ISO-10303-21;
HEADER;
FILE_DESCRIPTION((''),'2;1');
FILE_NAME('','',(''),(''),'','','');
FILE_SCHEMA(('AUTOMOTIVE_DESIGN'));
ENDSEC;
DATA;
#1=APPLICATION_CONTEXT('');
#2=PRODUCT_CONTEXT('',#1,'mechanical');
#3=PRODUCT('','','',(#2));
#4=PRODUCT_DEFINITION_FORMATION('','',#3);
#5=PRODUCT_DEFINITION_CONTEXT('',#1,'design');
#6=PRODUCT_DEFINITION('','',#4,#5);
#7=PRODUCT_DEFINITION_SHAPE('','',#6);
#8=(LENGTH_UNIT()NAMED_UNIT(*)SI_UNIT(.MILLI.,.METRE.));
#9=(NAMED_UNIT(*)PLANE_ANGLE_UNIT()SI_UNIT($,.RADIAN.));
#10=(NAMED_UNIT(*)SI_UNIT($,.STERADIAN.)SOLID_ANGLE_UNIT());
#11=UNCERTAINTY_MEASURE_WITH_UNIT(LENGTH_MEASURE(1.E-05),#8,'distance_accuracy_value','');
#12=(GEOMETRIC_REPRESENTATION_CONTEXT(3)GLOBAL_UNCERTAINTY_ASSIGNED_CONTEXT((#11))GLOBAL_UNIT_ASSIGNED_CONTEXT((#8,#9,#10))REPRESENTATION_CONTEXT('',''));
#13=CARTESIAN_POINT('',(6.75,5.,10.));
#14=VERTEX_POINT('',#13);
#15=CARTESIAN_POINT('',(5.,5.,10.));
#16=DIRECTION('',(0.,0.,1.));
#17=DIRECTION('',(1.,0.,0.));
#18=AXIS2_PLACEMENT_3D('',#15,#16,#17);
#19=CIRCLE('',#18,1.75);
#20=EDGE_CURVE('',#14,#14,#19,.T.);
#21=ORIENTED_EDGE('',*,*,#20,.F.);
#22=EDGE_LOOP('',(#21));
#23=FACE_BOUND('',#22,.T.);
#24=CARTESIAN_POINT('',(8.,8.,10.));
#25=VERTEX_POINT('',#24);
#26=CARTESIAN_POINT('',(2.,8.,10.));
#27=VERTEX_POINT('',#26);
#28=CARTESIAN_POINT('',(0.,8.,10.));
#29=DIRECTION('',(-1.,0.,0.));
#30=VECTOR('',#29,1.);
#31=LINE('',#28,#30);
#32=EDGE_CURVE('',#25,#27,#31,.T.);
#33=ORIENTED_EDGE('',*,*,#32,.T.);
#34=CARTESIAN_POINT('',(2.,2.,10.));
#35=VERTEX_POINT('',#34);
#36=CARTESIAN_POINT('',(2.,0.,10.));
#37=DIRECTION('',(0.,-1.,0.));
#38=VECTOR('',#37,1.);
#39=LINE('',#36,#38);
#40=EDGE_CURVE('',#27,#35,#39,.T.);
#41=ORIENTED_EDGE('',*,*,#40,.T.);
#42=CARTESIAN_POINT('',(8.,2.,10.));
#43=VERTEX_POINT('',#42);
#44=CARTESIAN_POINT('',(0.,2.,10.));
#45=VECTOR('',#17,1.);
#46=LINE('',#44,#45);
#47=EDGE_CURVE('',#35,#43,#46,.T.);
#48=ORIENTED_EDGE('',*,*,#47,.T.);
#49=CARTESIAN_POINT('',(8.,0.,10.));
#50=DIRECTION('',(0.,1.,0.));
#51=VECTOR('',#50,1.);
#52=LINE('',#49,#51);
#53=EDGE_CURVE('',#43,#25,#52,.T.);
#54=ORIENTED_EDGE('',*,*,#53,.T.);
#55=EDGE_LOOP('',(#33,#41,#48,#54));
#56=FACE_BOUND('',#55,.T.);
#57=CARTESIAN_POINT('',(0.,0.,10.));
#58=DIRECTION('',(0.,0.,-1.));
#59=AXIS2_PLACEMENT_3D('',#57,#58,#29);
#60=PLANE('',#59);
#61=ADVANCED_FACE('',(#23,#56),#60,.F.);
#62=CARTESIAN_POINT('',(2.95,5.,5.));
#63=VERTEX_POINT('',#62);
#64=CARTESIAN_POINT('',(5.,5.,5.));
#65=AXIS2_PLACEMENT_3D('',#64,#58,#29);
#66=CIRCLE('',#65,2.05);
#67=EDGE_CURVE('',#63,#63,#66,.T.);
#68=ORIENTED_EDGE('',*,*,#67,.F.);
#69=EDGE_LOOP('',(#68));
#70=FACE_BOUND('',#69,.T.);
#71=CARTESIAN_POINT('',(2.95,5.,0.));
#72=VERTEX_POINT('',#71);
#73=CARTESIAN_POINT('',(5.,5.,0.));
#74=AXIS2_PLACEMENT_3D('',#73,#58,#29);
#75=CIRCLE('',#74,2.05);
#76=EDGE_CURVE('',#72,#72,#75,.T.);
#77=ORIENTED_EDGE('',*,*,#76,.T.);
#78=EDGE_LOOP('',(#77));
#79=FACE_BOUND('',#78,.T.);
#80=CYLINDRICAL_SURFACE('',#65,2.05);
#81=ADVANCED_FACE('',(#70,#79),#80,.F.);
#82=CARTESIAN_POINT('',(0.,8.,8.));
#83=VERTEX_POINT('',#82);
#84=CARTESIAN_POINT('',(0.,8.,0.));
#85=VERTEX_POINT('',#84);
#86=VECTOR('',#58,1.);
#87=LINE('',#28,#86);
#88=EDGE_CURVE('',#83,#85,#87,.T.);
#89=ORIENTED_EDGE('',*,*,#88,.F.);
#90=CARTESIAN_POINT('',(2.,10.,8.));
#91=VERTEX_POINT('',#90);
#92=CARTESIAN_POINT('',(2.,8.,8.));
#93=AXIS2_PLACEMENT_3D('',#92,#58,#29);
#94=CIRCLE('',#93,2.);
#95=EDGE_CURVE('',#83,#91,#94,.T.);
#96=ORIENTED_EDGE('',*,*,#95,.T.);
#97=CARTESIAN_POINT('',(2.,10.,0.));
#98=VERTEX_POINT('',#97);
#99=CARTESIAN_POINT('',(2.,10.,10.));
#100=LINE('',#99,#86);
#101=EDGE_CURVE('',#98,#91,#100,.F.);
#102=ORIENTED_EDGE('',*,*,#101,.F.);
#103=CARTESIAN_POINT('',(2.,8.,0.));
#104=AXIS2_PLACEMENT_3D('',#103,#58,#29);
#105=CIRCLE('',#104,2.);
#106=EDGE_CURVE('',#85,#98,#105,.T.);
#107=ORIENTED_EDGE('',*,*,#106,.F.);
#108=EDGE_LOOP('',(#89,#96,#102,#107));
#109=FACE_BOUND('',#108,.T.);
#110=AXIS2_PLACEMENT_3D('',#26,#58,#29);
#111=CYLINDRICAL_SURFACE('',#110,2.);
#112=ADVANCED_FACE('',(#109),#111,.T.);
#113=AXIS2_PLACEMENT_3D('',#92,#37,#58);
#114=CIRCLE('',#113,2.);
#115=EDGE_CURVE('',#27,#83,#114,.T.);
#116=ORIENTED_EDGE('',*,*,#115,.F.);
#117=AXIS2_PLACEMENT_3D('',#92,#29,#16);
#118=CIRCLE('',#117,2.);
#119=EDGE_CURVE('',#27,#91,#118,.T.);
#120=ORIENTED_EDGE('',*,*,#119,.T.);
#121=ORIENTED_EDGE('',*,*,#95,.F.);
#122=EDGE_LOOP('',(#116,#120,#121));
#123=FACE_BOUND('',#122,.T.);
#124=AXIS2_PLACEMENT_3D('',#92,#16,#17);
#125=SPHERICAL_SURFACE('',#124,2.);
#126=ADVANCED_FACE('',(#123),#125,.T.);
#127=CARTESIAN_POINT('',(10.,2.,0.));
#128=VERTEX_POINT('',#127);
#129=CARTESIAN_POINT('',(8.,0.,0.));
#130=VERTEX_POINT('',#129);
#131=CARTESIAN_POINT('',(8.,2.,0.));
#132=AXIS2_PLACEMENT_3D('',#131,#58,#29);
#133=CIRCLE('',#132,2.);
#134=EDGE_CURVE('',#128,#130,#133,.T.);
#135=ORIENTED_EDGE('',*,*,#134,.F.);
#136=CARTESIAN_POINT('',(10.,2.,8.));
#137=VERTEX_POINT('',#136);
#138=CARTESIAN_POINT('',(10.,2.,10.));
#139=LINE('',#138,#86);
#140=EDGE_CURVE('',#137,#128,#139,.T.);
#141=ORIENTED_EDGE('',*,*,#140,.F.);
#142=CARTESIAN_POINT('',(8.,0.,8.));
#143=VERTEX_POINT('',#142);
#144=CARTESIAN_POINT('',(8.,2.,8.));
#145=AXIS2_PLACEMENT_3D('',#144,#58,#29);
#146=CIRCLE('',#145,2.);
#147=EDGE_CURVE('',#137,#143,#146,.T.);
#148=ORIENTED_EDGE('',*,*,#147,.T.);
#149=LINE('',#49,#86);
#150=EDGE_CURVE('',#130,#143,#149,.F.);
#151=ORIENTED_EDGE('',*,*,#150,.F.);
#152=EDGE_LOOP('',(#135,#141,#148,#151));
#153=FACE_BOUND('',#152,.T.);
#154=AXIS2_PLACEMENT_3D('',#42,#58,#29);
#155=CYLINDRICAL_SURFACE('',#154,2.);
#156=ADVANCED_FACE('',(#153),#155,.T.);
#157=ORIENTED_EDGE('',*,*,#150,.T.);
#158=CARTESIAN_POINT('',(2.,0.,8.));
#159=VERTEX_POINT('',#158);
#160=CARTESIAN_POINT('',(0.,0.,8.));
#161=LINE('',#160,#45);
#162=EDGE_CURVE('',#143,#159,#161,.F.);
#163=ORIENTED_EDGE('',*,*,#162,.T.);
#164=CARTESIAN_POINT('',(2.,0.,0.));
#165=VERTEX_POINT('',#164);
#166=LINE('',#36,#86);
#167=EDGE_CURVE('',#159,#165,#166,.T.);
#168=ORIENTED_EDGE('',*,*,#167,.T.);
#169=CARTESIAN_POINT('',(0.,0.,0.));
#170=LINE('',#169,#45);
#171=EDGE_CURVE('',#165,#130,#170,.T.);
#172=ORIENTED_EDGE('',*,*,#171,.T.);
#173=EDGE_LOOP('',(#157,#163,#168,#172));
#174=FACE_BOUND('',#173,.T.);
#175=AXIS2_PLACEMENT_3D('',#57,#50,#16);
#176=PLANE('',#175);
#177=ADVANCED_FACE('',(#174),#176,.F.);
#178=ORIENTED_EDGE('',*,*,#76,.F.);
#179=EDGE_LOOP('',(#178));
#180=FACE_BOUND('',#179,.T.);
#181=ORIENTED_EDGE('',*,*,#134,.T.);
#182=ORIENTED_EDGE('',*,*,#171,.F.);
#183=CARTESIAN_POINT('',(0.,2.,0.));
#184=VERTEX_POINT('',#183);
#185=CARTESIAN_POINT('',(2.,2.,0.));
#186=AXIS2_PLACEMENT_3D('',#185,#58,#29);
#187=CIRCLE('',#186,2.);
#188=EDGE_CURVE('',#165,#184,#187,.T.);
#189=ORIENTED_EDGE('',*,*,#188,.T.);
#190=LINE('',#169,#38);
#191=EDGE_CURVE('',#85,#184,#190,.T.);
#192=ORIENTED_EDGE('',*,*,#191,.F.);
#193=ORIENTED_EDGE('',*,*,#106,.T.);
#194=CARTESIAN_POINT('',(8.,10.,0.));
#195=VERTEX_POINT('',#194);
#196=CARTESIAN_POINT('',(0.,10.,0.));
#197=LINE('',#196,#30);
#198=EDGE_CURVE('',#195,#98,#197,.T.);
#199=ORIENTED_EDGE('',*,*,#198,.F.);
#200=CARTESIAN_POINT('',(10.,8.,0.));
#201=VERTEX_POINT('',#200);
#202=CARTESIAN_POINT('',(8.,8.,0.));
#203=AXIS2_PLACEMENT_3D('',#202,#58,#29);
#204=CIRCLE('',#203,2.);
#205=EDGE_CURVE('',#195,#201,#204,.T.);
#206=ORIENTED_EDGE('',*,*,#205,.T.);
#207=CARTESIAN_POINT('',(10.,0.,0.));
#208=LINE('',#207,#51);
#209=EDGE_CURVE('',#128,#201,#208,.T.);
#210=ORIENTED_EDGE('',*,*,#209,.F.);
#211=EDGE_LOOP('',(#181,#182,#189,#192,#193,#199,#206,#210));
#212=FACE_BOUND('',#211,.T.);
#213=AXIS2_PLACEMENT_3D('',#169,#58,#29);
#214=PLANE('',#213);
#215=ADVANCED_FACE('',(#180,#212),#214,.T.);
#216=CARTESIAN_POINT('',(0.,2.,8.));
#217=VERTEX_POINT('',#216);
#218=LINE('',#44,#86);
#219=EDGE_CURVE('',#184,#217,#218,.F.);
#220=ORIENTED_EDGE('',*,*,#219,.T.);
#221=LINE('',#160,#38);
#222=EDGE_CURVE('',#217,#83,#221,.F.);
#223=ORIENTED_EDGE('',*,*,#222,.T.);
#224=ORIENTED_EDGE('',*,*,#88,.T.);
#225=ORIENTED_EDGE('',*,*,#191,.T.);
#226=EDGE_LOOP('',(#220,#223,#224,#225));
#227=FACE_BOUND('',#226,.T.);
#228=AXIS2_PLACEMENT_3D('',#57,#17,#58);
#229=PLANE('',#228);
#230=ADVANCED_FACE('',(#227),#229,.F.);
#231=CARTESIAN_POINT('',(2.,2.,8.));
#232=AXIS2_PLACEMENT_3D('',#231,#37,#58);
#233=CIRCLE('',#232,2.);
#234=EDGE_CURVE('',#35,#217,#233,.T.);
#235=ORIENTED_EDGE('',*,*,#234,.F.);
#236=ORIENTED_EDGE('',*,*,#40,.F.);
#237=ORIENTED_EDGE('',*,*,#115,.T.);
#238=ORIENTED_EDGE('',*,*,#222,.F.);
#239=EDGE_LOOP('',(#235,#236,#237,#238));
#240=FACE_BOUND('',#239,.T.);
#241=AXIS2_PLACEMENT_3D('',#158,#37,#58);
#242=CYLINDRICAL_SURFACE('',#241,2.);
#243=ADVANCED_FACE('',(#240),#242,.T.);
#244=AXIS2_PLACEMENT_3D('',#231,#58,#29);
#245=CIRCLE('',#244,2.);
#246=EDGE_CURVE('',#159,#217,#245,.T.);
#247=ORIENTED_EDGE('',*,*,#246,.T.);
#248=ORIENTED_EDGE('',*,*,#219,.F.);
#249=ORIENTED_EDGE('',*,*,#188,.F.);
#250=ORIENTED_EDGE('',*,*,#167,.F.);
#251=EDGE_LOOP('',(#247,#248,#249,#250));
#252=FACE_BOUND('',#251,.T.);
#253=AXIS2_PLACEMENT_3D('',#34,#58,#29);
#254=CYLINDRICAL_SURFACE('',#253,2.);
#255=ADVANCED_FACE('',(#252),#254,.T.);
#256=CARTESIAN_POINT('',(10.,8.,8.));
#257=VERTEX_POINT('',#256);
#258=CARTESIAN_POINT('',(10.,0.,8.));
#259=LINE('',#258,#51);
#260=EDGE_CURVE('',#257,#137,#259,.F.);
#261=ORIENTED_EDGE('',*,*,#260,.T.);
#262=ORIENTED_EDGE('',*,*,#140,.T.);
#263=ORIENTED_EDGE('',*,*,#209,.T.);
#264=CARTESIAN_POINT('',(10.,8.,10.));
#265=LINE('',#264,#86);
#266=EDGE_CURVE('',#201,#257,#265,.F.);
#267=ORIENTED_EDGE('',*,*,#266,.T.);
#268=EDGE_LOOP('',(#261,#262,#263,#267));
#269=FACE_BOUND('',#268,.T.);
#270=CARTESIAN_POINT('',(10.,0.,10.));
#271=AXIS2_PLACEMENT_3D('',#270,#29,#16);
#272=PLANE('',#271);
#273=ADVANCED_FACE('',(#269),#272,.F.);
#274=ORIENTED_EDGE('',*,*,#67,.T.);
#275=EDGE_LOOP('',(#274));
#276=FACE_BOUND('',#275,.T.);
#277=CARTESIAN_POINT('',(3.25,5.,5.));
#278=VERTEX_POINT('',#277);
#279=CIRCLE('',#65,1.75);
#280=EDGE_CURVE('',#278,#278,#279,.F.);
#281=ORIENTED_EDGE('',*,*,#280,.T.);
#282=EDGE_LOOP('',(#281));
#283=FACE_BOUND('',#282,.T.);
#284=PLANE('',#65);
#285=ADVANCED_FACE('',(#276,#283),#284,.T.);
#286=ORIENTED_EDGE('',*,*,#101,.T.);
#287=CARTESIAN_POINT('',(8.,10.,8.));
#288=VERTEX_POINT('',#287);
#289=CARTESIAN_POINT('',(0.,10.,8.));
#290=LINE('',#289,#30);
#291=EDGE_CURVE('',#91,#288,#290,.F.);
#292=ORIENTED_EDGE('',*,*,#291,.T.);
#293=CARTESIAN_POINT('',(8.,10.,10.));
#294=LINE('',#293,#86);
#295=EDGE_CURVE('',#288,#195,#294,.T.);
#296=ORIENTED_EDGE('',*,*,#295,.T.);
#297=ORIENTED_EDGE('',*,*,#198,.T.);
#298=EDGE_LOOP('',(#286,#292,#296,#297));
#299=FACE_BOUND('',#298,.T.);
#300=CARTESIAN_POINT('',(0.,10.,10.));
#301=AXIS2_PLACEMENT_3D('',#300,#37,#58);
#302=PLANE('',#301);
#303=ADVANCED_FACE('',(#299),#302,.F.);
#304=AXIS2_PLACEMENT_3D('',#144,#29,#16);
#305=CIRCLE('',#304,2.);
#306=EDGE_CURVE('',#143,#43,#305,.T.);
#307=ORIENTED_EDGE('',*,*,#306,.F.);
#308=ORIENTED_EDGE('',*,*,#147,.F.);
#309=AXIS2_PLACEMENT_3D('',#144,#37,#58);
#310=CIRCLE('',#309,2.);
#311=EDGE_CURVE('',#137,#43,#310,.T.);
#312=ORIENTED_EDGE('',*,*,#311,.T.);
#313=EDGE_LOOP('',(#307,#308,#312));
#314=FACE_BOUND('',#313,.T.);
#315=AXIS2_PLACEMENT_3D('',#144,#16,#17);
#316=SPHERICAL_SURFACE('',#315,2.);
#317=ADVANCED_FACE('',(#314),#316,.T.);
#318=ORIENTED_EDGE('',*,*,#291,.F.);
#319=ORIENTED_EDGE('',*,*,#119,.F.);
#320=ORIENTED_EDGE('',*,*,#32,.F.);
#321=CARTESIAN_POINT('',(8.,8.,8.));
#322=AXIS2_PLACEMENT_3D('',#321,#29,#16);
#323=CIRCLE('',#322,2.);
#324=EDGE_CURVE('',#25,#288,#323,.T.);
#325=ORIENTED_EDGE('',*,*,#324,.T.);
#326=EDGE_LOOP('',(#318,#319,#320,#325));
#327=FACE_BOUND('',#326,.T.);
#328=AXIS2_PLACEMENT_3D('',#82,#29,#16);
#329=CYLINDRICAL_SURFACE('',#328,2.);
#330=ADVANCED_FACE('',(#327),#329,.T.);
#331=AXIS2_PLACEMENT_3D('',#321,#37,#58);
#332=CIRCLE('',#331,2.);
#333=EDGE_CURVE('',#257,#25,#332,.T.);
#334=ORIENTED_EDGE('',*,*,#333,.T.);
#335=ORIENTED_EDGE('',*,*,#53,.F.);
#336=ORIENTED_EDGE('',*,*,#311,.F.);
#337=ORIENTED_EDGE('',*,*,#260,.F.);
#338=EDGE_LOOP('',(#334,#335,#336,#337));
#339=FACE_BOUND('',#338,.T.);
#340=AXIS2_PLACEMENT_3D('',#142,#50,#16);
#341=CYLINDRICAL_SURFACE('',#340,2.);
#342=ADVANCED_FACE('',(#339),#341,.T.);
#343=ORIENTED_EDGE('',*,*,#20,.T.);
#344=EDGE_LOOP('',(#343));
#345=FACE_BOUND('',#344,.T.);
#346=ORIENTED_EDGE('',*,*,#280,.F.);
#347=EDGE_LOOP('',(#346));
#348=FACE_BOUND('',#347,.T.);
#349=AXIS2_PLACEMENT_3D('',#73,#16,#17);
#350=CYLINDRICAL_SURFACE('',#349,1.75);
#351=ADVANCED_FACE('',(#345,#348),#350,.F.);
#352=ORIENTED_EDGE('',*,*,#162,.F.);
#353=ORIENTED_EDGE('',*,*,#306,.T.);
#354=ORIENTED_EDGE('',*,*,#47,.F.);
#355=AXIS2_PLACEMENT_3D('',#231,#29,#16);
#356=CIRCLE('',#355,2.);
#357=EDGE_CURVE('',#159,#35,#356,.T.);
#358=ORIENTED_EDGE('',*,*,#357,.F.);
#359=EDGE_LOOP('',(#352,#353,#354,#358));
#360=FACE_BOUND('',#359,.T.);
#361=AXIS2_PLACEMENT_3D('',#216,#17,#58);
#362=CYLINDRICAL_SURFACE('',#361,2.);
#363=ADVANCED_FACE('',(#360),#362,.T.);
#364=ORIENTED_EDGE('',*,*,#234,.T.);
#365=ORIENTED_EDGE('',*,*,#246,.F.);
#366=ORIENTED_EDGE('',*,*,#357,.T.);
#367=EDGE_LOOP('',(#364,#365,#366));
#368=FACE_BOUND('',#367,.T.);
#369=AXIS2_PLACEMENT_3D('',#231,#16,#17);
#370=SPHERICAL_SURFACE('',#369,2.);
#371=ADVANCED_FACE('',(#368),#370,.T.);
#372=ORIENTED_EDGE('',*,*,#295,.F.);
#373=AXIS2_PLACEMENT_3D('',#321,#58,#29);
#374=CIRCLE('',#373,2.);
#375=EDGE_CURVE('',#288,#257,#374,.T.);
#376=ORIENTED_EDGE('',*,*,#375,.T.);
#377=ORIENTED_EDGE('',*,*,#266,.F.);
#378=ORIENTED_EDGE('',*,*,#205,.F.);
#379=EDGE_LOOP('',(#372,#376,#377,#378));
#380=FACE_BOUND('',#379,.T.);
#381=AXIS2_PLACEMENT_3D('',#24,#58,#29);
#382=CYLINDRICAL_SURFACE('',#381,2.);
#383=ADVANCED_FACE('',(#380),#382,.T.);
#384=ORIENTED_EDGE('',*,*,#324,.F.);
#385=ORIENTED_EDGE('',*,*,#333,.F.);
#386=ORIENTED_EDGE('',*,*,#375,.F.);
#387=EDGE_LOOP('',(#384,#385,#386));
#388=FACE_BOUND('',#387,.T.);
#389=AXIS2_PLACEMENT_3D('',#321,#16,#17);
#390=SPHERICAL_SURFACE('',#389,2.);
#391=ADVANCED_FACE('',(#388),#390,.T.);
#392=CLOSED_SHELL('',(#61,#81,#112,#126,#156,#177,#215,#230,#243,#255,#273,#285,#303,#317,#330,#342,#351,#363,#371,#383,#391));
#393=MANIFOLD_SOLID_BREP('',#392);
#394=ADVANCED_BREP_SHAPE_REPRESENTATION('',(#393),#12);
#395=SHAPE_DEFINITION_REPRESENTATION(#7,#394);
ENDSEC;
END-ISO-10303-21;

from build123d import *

# Parameters (mm, degrees)
SKETCH1_W           = 10
SKETCH1_H           = 10
BOSS_EXTRUDE1_DEPTH = 10
SKETCH2_R           = 1.75
CUT_EXTRUDE1_DEPTH  = 11
SKETCH3_R           = 2.05
CUT_EXTRUDE2_DEPTH  = 5
FILLET1_R           = 2
FILLET2_R           = 2


with BuildPart() as part:
    # Sketch1 → Boss-Extrude1 (new body)
    with BuildSketch(Plane.XY):
        with Locations((5, 5)):
            Rectangle(SKETCH1_W, SKETCH1_H)
    extrude(amount=BOSS_EXTRUDE1_DEPTH)

    # Sketch2 → Cut-Extrude1 (cut, through all)
    with BuildSketch(Plane.XY.offset(10)):
        with Locations((5, 5)):
            Circle(SKETCH2_R)
    extrude(amount=-CUT_EXTRUDE1_DEPTH, mode=Mode.SUBTRACT)

    # Sketch3 → Cut-Extrude2 (cut)
    with BuildSketch(Plane(origin=(0, 0, 0), x_dir=(-1, 0, 0), z_dir=(0, 0, -1))):
        with Locations((-5, 5)):
            Circle(SKETCH3_R)
    extrude(amount=-CUT_EXTRUDE2_DEPTH, mode=Mode.SUBTRACT)

    # Fillet1
    fillet1_edges = [part.edges().sort_by_distance(p)[0] for p in [
        (0, 10, 5),
        (10, 10, 5),
        (10, 0, 5),
        (0, 0, 5),
    ]]
    fillet(fillet1_edges, radius=FILLET1_R)

    # Fillet2
    fillet2_edges = [part.edges().sort_by_distance(p)[0] for p in [
        (5, 10, 10),
        (10, 5, 10),
        (0, 5, 10),
        (5, 0, 10),
        (9.414213562, 0.585786438, 10),
        (0.585786438, 0.585786438, 10),
        (0.585786438, 9.414213562, 10),
        (9.414213562, 9.414213562, 10),
    ]]
    fillet(fillet2_edges, radius=FILLET2_R)


solid = part.part
